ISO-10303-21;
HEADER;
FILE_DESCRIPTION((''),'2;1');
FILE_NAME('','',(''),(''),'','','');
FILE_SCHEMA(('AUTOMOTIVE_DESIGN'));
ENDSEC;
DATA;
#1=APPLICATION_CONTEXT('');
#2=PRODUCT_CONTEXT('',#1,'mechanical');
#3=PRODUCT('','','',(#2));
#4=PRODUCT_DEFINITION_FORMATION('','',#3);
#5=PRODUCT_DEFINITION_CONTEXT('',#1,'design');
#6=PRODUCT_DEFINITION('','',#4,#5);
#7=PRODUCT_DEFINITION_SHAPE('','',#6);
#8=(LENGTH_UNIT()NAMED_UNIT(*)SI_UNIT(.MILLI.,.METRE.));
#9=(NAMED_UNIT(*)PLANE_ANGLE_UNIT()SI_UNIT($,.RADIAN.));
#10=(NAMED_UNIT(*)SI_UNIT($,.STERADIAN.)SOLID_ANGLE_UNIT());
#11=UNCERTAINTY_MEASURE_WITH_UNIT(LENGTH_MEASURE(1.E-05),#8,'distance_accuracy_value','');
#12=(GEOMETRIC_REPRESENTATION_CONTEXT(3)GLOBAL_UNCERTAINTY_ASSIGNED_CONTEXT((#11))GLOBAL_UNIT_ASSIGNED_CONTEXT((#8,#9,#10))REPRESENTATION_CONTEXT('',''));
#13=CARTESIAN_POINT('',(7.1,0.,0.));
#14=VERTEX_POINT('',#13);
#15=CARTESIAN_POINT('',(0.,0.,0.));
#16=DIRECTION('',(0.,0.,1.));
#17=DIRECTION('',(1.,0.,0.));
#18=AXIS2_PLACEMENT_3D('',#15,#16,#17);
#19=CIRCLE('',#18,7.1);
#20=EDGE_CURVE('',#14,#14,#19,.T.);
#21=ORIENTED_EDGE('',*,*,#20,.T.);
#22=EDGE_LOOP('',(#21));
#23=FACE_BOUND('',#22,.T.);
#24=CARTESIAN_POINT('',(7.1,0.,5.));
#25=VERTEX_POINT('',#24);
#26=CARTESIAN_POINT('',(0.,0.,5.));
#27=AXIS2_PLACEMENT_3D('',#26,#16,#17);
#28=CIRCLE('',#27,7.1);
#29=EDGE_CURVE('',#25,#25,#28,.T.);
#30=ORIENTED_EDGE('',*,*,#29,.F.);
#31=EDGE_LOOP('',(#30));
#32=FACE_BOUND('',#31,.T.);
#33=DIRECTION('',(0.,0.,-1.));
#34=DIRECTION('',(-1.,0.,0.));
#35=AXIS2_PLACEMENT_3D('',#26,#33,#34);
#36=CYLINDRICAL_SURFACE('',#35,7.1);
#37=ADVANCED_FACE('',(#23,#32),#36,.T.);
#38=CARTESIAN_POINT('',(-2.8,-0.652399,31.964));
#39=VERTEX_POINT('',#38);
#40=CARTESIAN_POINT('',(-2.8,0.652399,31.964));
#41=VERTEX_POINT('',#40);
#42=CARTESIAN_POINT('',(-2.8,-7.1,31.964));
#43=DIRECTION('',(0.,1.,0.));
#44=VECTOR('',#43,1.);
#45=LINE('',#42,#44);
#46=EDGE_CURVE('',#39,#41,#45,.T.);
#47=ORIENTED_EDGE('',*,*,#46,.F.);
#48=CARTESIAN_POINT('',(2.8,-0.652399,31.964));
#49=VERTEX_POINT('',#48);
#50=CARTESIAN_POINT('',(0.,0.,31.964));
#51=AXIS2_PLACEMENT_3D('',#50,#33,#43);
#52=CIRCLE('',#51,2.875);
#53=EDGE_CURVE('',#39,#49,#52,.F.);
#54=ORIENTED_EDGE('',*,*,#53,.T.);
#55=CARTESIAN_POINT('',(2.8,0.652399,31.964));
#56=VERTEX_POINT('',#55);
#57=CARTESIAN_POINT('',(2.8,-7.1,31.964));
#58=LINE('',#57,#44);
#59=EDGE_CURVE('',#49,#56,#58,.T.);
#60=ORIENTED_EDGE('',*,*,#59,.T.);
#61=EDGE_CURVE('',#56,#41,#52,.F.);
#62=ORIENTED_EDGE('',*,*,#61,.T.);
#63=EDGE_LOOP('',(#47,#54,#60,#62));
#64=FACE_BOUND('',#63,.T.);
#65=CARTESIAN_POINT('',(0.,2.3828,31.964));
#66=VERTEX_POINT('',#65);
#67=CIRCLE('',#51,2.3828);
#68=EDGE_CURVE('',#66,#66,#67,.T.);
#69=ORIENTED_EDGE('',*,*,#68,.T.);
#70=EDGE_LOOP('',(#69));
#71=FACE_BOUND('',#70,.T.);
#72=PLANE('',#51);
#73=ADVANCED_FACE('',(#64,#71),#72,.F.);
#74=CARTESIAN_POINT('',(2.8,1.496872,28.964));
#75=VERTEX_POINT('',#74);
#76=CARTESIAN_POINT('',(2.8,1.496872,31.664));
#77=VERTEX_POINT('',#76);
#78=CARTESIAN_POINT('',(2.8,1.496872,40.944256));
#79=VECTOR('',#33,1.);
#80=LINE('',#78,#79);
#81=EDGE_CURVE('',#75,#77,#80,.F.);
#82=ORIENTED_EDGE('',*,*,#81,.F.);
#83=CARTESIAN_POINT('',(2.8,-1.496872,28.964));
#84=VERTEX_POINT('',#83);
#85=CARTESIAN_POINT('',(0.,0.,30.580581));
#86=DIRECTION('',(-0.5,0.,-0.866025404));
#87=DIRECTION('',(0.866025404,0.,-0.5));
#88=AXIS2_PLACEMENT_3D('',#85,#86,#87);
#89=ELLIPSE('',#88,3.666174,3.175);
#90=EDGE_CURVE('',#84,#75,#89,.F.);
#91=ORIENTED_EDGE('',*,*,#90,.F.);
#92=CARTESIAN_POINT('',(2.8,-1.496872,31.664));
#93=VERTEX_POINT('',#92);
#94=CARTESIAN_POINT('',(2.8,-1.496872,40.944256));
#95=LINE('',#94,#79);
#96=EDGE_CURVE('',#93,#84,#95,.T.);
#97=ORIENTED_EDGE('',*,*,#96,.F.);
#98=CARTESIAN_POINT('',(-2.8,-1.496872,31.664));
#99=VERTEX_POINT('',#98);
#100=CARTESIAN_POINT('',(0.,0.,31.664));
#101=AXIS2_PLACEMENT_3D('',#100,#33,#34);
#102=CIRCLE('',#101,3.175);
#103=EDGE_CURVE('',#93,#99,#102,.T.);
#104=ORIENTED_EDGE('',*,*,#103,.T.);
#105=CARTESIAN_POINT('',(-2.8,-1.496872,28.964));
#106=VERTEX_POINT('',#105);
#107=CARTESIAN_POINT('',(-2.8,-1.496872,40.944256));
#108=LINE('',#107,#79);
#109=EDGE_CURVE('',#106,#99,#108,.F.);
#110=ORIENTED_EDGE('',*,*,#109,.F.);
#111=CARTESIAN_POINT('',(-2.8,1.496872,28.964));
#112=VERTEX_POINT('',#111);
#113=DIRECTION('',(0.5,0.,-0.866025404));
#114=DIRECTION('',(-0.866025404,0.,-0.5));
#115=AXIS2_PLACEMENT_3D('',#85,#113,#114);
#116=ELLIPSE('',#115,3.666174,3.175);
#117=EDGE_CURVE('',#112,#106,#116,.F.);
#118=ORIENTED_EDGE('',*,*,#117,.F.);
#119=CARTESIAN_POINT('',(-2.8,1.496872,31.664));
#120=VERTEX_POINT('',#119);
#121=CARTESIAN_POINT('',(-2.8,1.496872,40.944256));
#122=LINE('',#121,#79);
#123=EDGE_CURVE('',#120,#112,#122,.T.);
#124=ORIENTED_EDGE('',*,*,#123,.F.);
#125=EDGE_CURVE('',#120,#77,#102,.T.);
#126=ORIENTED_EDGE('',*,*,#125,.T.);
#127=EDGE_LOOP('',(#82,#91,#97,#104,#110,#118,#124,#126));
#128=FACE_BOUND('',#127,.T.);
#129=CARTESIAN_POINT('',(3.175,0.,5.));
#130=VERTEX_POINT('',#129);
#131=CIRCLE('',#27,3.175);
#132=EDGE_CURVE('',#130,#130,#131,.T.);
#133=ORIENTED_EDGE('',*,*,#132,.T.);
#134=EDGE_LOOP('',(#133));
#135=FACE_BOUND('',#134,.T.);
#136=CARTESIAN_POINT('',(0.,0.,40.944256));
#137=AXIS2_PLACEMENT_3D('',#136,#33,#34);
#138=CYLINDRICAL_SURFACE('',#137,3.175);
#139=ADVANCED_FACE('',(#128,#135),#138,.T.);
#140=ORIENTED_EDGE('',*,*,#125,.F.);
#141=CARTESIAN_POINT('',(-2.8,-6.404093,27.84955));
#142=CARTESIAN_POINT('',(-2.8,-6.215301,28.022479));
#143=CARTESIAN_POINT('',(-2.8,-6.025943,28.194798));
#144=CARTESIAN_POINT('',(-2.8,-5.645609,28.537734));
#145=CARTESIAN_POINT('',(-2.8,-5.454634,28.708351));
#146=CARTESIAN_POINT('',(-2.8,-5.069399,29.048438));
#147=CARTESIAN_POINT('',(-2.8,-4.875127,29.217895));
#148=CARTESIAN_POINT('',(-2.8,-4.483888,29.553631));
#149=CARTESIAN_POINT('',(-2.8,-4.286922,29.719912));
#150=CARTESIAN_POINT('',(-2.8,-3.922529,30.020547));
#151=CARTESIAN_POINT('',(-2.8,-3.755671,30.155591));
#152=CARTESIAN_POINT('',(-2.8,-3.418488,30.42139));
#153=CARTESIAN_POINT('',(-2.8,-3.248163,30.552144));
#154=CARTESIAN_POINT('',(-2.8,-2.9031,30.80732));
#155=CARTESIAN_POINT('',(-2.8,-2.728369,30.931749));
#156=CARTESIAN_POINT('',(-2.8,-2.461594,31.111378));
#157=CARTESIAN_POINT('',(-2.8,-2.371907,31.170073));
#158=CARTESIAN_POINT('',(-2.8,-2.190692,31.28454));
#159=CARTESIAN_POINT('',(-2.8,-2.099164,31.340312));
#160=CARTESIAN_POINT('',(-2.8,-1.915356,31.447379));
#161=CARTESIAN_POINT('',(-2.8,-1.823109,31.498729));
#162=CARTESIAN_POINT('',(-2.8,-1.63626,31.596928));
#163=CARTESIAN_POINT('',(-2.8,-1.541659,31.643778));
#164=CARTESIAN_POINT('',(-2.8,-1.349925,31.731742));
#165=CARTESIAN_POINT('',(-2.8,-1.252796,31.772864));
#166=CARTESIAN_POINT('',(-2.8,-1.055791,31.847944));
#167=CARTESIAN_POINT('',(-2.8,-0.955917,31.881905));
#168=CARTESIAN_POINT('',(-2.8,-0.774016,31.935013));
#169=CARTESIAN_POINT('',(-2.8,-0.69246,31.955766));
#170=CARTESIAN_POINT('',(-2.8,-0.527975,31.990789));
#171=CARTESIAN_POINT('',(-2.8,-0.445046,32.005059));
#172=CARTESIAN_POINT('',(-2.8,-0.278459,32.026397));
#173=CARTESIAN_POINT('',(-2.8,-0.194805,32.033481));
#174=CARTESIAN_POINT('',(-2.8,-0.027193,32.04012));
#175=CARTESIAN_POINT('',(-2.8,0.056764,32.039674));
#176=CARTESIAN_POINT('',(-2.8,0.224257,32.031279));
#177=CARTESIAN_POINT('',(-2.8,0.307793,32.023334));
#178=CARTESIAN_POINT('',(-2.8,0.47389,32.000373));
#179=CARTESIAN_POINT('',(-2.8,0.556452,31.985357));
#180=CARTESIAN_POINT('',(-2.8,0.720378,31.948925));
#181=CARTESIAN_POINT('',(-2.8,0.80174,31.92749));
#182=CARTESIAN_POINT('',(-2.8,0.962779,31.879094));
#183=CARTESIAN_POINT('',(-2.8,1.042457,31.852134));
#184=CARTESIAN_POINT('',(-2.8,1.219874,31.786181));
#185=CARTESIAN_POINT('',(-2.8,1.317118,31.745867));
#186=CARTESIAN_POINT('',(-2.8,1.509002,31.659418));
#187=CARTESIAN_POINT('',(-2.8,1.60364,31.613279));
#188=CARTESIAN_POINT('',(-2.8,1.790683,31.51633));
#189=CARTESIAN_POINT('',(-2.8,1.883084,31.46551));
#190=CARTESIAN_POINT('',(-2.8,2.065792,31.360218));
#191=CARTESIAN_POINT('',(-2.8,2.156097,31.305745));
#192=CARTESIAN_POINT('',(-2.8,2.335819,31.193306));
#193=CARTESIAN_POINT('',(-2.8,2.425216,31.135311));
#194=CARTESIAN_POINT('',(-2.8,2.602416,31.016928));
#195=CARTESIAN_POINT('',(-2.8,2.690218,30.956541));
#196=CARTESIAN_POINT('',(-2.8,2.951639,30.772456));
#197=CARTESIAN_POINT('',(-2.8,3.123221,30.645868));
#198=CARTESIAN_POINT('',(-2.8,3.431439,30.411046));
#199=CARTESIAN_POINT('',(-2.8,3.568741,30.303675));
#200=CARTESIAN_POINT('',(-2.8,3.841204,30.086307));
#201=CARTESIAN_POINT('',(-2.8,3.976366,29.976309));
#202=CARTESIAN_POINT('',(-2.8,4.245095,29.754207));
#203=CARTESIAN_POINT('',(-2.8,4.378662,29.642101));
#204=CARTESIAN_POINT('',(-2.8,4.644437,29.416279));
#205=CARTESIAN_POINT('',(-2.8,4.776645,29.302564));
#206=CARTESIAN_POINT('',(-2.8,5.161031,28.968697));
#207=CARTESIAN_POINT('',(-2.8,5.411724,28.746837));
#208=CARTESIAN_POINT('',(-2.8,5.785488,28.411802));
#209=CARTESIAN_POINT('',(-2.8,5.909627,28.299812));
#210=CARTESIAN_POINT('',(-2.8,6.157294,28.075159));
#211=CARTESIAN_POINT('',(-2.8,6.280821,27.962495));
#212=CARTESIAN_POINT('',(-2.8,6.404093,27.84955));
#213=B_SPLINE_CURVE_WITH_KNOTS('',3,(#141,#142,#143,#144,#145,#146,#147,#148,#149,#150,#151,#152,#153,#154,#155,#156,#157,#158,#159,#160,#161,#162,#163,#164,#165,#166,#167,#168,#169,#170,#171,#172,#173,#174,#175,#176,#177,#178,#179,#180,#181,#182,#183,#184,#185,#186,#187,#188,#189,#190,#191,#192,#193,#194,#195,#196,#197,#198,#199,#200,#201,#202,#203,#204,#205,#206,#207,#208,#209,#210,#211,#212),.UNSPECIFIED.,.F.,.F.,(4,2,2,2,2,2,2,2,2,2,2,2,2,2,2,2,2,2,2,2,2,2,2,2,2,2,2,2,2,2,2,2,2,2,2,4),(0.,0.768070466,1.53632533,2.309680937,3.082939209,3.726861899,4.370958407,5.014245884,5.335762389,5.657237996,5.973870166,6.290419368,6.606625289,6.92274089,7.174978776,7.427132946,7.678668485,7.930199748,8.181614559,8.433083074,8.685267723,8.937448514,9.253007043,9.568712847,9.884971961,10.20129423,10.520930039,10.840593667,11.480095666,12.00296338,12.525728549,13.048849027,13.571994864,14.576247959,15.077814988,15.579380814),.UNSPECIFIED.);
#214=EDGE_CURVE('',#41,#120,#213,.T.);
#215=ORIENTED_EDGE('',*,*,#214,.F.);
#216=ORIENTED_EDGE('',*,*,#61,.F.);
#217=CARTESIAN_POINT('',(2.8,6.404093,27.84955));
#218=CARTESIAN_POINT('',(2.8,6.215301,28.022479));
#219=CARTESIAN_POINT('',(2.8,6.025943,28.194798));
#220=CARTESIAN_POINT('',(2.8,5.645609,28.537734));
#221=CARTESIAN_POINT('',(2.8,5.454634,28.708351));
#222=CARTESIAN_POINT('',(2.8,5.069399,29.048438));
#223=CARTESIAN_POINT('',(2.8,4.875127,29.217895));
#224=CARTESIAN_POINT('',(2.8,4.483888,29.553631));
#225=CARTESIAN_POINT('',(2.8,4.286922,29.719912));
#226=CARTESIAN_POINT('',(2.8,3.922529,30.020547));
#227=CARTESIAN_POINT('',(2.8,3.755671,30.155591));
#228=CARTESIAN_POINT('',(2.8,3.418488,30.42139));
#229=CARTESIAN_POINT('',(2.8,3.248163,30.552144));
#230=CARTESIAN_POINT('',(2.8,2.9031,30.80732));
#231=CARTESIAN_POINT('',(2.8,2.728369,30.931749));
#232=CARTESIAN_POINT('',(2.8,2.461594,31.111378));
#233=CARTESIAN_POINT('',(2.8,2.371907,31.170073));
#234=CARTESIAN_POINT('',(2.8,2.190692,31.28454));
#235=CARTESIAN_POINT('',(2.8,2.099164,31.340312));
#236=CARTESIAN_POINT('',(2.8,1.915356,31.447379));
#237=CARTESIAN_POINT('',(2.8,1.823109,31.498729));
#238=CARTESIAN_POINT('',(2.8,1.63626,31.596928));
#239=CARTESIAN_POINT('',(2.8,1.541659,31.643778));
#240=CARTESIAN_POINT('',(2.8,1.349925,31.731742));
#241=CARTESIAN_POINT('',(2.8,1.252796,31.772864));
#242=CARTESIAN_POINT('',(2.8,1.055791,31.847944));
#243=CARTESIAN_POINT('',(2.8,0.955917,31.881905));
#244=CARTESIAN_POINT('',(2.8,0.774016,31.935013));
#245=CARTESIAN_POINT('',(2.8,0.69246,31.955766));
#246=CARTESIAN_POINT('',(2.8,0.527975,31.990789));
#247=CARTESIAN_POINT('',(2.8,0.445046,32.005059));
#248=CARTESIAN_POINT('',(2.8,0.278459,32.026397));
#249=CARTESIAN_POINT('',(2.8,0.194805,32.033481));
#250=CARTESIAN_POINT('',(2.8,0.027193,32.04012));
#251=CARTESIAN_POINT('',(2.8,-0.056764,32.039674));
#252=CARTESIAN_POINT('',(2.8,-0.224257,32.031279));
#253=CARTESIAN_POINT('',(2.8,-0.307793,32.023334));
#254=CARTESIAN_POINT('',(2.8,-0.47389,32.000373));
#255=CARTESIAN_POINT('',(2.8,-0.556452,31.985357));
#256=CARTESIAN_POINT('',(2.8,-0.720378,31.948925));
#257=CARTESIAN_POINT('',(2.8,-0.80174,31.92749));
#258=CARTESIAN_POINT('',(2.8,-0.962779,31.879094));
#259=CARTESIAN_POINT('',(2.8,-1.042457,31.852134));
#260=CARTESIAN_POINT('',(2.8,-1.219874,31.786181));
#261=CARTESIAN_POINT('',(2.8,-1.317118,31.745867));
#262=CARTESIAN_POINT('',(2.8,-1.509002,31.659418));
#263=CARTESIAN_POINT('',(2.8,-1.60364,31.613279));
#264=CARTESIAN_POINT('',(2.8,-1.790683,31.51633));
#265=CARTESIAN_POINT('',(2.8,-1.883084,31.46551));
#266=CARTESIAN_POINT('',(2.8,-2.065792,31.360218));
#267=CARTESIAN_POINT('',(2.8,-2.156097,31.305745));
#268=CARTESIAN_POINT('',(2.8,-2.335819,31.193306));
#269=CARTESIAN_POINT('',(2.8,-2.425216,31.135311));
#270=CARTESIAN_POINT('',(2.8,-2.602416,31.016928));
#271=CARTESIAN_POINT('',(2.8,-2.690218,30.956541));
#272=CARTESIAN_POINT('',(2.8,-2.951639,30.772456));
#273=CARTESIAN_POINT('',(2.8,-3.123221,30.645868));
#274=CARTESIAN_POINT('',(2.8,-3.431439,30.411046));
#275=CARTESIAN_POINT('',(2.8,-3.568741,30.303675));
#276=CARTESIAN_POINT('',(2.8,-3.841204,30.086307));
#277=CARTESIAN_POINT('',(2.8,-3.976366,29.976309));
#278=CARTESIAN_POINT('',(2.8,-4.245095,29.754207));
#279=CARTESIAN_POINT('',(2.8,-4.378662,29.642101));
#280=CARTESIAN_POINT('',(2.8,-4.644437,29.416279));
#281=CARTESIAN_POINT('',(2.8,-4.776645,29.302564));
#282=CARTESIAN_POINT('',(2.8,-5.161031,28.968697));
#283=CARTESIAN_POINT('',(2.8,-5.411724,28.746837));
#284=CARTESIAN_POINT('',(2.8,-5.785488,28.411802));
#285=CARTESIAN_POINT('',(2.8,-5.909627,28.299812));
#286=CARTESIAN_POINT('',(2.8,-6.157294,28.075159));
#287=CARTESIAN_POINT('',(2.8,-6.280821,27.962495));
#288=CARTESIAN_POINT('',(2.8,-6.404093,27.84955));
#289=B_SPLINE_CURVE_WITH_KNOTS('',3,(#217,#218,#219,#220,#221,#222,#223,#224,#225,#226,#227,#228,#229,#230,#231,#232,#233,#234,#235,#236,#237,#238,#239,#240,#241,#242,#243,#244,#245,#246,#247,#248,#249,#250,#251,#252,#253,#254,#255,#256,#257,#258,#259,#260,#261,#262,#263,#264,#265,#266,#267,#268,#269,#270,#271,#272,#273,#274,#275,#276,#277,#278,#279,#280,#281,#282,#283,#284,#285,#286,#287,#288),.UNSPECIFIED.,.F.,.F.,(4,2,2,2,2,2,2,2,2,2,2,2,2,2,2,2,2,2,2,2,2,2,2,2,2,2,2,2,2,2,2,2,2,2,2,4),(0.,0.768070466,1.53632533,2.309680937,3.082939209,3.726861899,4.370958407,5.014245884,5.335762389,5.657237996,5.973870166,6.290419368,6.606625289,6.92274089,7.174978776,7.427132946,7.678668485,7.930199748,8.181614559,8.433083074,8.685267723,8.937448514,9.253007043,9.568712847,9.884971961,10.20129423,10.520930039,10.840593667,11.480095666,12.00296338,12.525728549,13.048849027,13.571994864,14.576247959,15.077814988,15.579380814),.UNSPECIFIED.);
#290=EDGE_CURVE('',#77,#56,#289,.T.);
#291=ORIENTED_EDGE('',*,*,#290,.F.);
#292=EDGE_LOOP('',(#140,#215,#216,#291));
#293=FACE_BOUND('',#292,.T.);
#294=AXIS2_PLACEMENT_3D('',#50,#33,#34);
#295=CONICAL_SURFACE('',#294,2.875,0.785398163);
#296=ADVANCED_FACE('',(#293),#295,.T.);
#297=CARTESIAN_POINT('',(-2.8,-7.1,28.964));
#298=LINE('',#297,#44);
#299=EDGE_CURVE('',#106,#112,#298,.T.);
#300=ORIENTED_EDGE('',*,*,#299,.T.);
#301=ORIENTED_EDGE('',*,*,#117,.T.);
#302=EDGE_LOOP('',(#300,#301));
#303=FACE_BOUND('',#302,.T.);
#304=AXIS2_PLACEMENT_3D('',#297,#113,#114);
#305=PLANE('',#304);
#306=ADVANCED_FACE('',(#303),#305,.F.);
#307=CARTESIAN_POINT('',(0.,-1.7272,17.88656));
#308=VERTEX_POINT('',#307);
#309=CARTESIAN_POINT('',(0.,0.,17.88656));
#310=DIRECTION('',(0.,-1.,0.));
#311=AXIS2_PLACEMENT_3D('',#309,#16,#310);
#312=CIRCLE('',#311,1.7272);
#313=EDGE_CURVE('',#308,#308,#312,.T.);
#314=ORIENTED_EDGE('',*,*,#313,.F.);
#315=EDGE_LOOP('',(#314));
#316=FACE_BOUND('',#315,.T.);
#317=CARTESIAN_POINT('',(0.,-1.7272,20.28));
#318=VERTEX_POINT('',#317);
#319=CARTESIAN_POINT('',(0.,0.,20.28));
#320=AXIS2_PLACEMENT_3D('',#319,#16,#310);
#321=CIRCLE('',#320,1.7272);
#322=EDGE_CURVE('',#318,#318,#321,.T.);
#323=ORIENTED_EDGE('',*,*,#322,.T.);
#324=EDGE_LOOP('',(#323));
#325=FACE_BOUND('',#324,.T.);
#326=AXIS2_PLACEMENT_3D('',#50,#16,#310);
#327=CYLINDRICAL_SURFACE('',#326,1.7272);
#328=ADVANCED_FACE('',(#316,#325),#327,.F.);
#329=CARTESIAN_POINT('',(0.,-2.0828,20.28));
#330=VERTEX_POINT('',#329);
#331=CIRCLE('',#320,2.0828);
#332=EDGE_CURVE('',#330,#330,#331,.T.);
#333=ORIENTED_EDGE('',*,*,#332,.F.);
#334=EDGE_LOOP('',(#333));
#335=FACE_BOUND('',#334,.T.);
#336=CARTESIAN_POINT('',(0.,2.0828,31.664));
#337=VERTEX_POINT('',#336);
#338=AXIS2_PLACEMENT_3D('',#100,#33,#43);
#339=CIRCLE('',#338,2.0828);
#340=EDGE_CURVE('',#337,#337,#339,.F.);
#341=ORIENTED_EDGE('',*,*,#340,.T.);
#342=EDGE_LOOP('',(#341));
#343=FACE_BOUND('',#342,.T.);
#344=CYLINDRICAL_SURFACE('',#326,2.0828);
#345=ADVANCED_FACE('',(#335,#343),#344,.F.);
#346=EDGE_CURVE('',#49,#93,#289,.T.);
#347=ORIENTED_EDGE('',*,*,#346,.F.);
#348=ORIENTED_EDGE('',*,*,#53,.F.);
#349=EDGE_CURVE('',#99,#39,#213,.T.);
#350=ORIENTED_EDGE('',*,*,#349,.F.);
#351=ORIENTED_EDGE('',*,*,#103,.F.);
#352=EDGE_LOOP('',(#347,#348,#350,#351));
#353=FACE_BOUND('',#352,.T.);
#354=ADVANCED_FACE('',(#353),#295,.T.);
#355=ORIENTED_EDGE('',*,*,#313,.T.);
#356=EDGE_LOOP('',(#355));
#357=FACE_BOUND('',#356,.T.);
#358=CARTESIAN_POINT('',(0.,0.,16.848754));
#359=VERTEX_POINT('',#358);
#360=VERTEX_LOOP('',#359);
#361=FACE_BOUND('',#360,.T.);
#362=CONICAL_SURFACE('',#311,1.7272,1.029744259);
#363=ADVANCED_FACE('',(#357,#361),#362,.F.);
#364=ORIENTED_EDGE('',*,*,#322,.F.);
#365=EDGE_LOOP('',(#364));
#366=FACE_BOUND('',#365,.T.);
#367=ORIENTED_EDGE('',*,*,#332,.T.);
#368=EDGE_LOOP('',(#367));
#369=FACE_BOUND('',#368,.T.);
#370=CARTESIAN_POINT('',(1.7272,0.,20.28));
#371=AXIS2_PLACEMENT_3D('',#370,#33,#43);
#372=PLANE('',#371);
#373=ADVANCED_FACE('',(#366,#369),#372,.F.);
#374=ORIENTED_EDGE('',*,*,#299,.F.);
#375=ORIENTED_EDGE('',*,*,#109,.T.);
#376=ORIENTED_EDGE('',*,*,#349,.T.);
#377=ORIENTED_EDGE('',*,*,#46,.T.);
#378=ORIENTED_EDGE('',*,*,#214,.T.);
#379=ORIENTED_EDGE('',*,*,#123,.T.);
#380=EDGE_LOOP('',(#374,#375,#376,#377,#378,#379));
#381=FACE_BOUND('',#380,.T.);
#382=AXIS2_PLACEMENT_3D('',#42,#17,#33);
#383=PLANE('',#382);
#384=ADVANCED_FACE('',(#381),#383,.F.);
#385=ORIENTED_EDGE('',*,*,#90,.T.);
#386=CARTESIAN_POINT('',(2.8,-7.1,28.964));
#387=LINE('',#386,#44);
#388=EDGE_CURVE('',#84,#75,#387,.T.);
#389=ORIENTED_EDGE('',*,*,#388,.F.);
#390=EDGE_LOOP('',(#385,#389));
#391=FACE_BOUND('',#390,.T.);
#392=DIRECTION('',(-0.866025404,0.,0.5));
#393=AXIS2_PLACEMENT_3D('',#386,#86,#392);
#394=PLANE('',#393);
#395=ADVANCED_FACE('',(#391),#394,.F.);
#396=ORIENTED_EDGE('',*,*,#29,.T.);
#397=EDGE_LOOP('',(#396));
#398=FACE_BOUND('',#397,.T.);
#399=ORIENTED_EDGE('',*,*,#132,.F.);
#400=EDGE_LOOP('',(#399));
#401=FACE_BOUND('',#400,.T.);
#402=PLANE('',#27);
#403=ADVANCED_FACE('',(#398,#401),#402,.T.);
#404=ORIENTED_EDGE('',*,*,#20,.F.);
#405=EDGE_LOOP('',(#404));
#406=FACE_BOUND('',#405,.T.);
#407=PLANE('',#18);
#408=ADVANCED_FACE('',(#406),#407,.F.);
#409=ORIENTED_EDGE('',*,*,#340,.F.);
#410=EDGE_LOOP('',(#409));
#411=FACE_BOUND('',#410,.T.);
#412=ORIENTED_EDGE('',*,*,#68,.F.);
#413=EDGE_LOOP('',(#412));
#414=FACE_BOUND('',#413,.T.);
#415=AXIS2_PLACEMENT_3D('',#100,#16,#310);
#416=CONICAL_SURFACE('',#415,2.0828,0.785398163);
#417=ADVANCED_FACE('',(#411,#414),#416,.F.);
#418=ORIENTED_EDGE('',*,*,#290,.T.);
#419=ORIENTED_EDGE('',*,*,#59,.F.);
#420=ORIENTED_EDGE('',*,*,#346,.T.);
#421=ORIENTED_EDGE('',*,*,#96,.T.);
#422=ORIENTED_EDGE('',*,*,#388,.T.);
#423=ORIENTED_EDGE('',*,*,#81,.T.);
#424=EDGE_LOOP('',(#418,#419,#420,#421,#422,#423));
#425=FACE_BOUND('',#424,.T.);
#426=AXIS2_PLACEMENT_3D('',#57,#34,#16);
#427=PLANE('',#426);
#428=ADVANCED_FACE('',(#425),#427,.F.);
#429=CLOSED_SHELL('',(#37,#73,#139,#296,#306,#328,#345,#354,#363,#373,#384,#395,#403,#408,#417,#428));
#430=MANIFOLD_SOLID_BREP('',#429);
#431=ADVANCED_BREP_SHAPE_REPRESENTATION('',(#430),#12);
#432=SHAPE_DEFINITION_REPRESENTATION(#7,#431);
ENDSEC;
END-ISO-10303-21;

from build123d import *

# Parameters (mm, degrees)
SKETCH1_R                              = 7.1
PISTON_DEPTH                           = 5
SKETCH2_R                              = 3.175
ROD_DEPTH                              = 31.964
F_056_8_32_INTERNAL_THREAD_D           = 3.4544
F_056_8_32_INTERNAL_THREAD_DEPTH       = 14.07744
F_056_8_32_INTERNAL_THREAD_CBORE_D     = 4.1656
F_056_8_32_INTERNAL_THREAD_CBORE_DEPTH = 11.684
F_056_8_32_INTERNAL_THREAD_TIP         = 1.037806461
ROD_END_CHAMFER_SIZE                   = 0.3
WRENCH_FLATS_DEPTH                     = 34.503989255
WRENCH_FLATS_DEPTH_BACK                = 34.503989255


with BuildPart() as part:
    # Sketch1 → Piston (new body)
    with BuildSketch(Plane.XY):
        Circle(SKETCH1_R)
    extrude(amount=PISTON_DEPTH)

    # Sketch2 → Rod (add)
    with BuildSketch(Plane(origin=(0, 0, 0), x_dir=(-1, 0, 0), z_dir=(0, 0, -1))):
        with Locations(Location((0, 0, 0), (0, 0, 90))):
            Circle(SKETCH2_R)
    extrude(amount=-ROD_DEPTH)

    # 056 #8-32 Internal Thread
    with Locations(Plane(origin=(0, 0, 31.964), x_dir=(0, 1, 0), z_dir=(0, 0, 1))):
        with Locations((0, 0)):
            CounterBoreHole(F_056_8_32_INTERNAL_THREAD_D / 2, F_056_8_32_INTERNAL_THREAD_CBORE_D / 2, F_056_8_32_INTERNAL_THREAD_CBORE_DEPTH, depth=F_056_8_32_INTERNAL_THREAD_DEPTH)
            with Locations((0, 0, -(F_056_8_32_INTERNAL_THREAD_DEPTH + F_056_8_32_INTERNAL_THREAD_TIP / 2))):  # 118° drill point
                Cone(0, F_056_8_32_INTERNAL_THREAD_D / 2, F_056_8_32_INTERNAL_THREAD_TIP, mode=Mode.SUBTRACT)

    # Rod End Chamfer
    rod_end_chamfer_edges = [part.edges().sort_by_distance(p)[0] for p in [
        (0, -2.0828, 31.964),
        (0, -3.175, 31.964),
    ]]
    chamfer(rod_end_chamfer_edges, length=ROD_END_CHAMFER_SIZE)

    # Sketch11 → Wrench Flats (cut, two sides: drawn at the far end of the back side and taken through both)
    with BuildSketch(Plane(origin=(0, 0, 0), x_dir=(1, 0, 0), z_dir=(0, 1, 0)).offset(-WRENCH_FLATS_DEPTH_BACK)):
        Polygon((-2.8, -31.964), (-2.8, -28.964), (-7.8, -26.077248654), (-7.8, -31.964), align=None)
        Polygon((2.8, -31.964), (2.8, -28.964), (7.8, -26.077248654), (7.8, -31.964), align=None)
    extrude(amount=WRENCH_FLATS_DEPTH + WRENCH_FLATS_DEPTH_BACK, mode=Mode.SUBTRACT)


solid = part.part
